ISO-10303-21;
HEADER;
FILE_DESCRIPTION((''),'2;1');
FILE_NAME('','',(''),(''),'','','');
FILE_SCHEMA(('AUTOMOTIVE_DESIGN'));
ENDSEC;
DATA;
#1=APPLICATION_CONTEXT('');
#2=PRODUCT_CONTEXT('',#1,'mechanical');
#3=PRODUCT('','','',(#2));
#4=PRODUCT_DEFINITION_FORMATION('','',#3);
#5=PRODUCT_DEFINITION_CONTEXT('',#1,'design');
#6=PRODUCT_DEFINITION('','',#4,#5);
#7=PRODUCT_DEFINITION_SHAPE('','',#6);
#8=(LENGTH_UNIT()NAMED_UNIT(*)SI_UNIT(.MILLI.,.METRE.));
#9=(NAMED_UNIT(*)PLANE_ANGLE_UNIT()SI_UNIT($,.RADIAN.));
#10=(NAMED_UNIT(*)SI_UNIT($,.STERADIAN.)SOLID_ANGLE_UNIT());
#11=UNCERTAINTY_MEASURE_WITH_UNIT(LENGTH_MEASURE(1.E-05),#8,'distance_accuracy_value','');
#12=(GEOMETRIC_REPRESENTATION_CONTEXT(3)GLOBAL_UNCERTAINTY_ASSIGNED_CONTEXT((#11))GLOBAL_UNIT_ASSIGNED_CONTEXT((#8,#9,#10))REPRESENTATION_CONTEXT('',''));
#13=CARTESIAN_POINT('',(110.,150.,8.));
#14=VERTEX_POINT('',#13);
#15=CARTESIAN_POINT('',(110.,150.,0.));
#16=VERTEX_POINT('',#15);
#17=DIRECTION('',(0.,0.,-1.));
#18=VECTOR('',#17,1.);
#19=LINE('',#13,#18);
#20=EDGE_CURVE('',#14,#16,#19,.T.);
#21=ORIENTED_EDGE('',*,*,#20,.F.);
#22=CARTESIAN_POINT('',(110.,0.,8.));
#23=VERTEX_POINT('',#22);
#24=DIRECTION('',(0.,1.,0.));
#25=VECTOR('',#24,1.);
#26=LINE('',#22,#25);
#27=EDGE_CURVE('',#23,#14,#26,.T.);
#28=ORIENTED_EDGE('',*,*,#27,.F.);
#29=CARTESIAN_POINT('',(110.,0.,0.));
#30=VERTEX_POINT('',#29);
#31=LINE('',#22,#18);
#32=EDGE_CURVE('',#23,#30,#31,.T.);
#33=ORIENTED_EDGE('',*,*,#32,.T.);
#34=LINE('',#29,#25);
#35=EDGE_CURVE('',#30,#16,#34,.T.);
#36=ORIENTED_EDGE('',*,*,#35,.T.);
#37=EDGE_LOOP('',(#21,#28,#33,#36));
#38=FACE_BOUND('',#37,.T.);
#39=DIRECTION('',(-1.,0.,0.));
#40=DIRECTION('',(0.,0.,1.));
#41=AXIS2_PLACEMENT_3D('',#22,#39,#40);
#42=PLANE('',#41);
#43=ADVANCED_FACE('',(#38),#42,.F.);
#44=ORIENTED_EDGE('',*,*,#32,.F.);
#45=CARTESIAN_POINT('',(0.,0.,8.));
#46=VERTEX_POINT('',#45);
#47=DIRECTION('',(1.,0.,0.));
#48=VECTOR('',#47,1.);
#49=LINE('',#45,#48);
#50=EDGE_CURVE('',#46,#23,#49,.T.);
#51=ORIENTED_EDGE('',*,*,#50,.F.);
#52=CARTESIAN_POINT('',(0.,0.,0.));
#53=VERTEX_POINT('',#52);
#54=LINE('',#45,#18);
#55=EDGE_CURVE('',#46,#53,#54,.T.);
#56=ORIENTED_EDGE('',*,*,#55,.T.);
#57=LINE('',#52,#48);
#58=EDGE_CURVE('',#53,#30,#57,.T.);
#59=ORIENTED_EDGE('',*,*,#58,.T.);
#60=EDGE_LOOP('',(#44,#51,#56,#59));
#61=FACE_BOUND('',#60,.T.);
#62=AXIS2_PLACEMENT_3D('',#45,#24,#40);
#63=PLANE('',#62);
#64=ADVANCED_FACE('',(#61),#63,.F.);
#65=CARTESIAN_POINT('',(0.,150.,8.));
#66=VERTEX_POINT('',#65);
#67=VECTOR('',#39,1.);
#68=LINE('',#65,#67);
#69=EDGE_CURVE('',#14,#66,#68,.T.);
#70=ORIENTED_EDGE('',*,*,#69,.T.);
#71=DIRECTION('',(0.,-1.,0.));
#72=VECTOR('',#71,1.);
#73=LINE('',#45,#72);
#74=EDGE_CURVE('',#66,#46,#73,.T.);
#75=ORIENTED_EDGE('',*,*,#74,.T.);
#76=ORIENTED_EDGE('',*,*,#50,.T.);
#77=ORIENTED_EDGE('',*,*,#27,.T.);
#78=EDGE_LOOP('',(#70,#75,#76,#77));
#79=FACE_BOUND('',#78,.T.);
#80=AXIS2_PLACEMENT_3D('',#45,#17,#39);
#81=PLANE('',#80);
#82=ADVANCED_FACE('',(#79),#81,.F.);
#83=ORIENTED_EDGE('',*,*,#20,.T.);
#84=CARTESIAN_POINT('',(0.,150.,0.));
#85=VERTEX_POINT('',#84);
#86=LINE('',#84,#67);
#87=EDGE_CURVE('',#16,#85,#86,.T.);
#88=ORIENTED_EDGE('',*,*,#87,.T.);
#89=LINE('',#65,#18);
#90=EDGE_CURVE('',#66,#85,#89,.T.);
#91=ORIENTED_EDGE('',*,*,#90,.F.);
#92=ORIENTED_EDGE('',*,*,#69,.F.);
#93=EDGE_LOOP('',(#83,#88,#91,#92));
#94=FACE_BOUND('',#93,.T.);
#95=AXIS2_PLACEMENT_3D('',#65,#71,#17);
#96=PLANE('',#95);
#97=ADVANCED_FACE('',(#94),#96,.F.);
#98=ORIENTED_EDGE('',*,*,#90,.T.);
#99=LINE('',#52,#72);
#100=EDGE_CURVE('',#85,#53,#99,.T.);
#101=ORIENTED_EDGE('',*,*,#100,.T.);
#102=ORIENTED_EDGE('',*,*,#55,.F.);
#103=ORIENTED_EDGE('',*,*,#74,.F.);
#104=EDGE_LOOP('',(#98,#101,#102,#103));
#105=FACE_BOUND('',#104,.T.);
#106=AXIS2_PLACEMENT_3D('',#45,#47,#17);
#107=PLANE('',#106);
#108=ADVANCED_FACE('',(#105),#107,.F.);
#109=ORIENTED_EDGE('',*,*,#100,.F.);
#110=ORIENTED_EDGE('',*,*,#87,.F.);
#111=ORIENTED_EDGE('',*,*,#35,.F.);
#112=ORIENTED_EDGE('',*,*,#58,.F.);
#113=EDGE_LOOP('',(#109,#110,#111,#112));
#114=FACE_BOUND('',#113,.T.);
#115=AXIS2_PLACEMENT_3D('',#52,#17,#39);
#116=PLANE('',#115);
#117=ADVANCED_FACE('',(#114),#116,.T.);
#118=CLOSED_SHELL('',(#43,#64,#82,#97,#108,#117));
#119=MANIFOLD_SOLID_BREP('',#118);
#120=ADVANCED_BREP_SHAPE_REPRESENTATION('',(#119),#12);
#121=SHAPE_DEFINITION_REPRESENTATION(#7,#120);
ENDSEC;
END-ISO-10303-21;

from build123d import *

# Parameters (mm, degrees)
SKETCH_1_W      = 110
SKETCH_1_H      = 150
EXTRUDE_1_DEPTH = 8


with BuildPart() as part:
    # 草图1 → 凸台-拉伸1 (new body)
    with BuildSketch(Plane.XY):
        with Locations((55, 75)):
            Rectangle(SKETCH_1_W, SKETCH_1_H)
    extrude(amount=EXTRUDE_1_DEPTH)


solid = part.part
